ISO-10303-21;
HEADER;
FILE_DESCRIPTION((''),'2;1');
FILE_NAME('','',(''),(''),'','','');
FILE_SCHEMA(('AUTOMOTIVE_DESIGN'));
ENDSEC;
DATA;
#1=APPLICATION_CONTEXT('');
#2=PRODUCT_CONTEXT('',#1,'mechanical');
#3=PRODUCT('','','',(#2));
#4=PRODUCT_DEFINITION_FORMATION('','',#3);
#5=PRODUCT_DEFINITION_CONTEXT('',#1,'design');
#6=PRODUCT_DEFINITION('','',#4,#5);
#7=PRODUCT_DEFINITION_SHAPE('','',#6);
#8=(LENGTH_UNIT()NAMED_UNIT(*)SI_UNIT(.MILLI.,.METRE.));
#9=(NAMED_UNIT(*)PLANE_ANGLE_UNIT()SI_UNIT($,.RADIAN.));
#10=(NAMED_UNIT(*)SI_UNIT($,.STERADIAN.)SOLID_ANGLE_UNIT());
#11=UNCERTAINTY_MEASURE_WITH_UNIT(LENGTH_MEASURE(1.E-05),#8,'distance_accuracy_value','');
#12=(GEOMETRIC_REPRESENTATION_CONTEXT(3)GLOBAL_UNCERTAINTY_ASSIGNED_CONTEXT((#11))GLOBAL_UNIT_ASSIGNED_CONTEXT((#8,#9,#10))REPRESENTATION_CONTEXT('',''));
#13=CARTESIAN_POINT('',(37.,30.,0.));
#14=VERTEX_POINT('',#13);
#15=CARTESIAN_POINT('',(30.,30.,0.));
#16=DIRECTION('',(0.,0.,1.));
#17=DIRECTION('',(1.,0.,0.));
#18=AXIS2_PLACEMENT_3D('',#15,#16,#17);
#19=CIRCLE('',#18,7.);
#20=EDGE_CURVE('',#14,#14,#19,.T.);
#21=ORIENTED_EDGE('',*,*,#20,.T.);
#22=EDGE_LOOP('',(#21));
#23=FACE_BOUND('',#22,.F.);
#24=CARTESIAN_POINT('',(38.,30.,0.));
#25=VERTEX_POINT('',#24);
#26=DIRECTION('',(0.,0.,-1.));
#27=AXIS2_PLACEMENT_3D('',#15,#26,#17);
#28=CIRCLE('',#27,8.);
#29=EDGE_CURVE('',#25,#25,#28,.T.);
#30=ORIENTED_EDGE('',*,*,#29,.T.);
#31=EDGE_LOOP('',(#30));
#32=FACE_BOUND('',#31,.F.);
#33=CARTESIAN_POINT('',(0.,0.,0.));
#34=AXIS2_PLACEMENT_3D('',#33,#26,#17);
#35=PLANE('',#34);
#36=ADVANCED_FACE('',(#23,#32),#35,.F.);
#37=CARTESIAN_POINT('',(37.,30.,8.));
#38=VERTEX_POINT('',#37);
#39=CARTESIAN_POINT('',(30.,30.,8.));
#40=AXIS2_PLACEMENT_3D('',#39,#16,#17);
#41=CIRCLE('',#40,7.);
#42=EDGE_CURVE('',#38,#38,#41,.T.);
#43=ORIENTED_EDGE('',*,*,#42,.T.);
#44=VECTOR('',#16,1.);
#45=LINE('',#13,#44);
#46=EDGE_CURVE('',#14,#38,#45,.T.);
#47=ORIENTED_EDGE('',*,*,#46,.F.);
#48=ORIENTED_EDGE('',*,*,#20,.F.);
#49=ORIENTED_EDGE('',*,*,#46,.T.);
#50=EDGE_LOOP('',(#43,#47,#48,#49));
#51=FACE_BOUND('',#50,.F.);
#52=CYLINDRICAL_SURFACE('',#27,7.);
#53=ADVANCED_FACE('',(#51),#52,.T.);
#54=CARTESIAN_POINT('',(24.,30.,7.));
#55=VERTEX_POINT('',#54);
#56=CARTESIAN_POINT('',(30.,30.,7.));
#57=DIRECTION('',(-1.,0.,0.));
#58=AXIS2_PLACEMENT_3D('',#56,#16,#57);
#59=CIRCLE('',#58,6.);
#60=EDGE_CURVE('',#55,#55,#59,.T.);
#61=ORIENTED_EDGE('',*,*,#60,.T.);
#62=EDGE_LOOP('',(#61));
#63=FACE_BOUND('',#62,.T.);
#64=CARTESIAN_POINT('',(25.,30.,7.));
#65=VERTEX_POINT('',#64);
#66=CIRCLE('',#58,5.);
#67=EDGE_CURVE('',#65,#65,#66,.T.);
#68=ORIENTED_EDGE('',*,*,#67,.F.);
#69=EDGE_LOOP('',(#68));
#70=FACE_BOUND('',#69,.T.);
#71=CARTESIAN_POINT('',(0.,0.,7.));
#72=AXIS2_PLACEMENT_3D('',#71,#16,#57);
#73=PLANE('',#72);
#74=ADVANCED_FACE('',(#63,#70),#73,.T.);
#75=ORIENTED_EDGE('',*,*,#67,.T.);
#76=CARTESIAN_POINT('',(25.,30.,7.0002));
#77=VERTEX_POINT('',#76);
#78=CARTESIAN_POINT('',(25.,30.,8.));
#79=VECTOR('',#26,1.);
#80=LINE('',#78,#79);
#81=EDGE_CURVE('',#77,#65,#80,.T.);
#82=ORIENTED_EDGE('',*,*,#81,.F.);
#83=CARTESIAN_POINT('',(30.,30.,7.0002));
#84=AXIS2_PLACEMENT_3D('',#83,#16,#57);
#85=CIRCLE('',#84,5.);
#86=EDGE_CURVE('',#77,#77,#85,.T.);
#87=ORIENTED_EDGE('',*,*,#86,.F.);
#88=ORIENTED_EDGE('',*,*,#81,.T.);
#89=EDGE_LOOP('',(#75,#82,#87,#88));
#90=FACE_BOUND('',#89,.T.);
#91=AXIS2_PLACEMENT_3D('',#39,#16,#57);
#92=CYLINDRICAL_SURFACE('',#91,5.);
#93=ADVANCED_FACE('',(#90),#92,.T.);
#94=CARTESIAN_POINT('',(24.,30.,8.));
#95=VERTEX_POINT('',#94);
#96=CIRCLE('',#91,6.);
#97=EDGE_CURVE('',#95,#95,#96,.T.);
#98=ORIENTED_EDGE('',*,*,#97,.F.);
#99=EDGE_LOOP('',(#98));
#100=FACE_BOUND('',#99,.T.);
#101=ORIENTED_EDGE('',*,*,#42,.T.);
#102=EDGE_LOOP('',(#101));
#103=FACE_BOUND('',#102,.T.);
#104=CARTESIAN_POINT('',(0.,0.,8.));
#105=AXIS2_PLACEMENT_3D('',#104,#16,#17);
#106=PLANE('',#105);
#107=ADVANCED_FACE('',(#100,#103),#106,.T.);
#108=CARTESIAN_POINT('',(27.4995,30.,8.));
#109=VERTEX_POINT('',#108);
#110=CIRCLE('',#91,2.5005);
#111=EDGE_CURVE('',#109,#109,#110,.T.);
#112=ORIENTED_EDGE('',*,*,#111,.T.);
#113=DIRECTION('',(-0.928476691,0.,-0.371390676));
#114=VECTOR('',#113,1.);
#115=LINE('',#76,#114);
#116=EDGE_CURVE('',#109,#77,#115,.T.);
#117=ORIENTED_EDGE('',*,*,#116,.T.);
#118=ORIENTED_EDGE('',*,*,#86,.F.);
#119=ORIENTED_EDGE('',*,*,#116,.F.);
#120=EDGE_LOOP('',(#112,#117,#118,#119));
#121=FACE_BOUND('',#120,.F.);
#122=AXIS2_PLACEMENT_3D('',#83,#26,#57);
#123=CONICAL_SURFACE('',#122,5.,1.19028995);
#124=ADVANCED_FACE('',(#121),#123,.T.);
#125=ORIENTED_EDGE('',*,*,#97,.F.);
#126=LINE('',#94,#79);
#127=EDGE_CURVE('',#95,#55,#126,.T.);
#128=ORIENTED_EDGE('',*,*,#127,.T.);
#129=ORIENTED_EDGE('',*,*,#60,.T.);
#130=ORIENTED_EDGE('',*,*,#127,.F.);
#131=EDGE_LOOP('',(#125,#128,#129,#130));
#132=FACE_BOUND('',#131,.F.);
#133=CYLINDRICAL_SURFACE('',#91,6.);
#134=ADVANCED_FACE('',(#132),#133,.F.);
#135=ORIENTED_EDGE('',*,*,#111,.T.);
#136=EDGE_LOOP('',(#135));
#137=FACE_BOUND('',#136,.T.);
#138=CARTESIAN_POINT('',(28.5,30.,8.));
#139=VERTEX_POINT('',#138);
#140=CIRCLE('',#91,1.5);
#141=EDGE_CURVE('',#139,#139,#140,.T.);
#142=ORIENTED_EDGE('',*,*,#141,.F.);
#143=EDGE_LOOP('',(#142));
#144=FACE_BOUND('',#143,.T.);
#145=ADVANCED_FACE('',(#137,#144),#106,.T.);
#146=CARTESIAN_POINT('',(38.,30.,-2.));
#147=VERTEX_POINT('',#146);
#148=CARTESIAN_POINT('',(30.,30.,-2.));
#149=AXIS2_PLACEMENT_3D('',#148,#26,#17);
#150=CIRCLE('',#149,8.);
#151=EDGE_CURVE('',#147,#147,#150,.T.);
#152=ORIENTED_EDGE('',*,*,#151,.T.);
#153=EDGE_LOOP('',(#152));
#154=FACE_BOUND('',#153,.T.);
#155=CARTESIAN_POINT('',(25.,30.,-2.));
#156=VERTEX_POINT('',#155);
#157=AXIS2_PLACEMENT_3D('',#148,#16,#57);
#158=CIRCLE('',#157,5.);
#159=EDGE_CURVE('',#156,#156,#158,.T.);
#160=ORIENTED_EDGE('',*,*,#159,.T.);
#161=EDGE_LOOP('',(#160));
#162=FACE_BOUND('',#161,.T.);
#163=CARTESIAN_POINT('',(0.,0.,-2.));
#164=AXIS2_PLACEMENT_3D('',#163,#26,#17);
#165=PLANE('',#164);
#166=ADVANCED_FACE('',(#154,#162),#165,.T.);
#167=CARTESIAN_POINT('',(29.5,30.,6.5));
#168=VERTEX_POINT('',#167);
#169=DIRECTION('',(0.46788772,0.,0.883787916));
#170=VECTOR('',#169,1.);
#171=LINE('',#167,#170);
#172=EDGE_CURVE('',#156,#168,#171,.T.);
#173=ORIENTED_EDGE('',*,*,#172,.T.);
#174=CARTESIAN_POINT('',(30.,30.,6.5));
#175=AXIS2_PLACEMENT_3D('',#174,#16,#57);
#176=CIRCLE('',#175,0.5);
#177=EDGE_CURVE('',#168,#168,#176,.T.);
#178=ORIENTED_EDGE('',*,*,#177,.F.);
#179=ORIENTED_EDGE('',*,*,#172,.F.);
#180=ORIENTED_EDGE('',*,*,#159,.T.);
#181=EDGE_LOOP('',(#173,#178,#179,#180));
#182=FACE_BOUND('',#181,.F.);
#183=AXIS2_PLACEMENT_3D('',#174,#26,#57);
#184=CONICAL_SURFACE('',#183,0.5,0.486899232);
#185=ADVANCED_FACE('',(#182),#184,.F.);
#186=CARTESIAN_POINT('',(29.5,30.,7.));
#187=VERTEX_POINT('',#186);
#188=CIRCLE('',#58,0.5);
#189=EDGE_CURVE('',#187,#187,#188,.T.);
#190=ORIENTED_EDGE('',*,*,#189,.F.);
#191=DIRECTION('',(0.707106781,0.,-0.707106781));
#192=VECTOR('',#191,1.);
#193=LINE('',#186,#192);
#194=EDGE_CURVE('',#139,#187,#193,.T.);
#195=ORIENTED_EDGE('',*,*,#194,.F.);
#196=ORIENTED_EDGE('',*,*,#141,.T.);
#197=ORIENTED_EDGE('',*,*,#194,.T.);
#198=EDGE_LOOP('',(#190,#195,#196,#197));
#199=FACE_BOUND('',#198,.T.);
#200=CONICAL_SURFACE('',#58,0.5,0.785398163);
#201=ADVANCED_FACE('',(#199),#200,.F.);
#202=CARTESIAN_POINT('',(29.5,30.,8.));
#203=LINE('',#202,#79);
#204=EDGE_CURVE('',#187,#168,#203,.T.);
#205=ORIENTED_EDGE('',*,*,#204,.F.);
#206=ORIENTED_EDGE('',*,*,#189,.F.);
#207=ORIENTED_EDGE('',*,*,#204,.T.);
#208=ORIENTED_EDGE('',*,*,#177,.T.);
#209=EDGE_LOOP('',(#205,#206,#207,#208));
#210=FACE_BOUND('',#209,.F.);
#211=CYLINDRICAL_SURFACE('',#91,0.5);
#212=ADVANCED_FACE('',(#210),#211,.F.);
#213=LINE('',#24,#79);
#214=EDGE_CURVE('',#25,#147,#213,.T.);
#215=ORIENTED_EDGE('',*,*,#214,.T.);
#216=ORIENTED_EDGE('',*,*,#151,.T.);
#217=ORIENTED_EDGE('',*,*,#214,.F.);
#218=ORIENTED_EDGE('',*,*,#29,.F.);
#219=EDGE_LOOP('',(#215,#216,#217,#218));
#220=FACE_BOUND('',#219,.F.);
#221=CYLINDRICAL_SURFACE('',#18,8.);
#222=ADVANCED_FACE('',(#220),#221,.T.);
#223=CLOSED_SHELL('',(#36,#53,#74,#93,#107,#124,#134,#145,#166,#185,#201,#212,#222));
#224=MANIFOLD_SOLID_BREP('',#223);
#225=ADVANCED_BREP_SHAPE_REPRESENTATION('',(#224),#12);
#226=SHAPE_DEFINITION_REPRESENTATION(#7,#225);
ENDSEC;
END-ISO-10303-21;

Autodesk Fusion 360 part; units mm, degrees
sketch "Sketch1" plane through (0, 0, 0) normal (0, 0, 1) x (1, 0, 0)
  circle A0 centre (30, 30) radius 7
  dimension "d1" = 14
extrude "Extrude1" add sketch "Sketch1" along normal blind 8
sketch "Sketch2" plane through (0, 0, 0) normal (0, 0, -1) x (1, 0, 0)
  circle A0 centre (30, -30) radius 7
  circle A1 centre (30, -30) radius 8
  dimension "d4" = 16
extrude "Extrude2" add sketch "Sketch2" along normal blind 2 contours A0 | A1
sketch "Sketch3" plane through (0, 0, 8) normal (0, 0, 1) x (-1, 0, 0)
  circle A0 centre (-30, -30) radius 7
  circle A1 centre (-30, -30) radius 2.5
  circle A2 centre (-30, -30) radius 1.5
  circle A3 centre (-30, -30) radius 6
  circle A4 centre (-30, -30) radius 0.5
  circle A5 centre (-30, -30) radius 5
  dimension "d7" = 5
  dimension "d8" = 3
  dimension "d9" = 12
  dimension "d10" = 1
  dimension "d13" = 10
extrude "Extrude3" cut sketch "Sketch3" against normal blind 16 contours A4
extrude "Extrude4" cut sketch "Sketch3" against normal blind 1 contours A3
chamfer "Chamfer1" distance 2.5 distance2 1 1 edges at (34.6616, 31.8081, 8) measured on face at (26.5186, 30.2484, 8)
chamfer "Chamfer2" distance 1 distance2 1 1 edges at (30.4662, 29.8192, 8) measured on face at (28.1756, 30.1242, 8)
sketch "Sketch4" plane through (0, 0, -2) normal (0, 0, -1) x (1, 0, 0)
  circle A0 centre (30, -30) radius 0.5
  circle A1 centre (30, -30) radius 8
  circle A2 centre (30, -30) radius 5
  dimension "d20" = 10
chamfer "Chamfer3" distance 4.5 distance2 8.5 1 edges at (30.4662, 30.1808, -2) measured on face at (35.4684, 30.4223, -2)
